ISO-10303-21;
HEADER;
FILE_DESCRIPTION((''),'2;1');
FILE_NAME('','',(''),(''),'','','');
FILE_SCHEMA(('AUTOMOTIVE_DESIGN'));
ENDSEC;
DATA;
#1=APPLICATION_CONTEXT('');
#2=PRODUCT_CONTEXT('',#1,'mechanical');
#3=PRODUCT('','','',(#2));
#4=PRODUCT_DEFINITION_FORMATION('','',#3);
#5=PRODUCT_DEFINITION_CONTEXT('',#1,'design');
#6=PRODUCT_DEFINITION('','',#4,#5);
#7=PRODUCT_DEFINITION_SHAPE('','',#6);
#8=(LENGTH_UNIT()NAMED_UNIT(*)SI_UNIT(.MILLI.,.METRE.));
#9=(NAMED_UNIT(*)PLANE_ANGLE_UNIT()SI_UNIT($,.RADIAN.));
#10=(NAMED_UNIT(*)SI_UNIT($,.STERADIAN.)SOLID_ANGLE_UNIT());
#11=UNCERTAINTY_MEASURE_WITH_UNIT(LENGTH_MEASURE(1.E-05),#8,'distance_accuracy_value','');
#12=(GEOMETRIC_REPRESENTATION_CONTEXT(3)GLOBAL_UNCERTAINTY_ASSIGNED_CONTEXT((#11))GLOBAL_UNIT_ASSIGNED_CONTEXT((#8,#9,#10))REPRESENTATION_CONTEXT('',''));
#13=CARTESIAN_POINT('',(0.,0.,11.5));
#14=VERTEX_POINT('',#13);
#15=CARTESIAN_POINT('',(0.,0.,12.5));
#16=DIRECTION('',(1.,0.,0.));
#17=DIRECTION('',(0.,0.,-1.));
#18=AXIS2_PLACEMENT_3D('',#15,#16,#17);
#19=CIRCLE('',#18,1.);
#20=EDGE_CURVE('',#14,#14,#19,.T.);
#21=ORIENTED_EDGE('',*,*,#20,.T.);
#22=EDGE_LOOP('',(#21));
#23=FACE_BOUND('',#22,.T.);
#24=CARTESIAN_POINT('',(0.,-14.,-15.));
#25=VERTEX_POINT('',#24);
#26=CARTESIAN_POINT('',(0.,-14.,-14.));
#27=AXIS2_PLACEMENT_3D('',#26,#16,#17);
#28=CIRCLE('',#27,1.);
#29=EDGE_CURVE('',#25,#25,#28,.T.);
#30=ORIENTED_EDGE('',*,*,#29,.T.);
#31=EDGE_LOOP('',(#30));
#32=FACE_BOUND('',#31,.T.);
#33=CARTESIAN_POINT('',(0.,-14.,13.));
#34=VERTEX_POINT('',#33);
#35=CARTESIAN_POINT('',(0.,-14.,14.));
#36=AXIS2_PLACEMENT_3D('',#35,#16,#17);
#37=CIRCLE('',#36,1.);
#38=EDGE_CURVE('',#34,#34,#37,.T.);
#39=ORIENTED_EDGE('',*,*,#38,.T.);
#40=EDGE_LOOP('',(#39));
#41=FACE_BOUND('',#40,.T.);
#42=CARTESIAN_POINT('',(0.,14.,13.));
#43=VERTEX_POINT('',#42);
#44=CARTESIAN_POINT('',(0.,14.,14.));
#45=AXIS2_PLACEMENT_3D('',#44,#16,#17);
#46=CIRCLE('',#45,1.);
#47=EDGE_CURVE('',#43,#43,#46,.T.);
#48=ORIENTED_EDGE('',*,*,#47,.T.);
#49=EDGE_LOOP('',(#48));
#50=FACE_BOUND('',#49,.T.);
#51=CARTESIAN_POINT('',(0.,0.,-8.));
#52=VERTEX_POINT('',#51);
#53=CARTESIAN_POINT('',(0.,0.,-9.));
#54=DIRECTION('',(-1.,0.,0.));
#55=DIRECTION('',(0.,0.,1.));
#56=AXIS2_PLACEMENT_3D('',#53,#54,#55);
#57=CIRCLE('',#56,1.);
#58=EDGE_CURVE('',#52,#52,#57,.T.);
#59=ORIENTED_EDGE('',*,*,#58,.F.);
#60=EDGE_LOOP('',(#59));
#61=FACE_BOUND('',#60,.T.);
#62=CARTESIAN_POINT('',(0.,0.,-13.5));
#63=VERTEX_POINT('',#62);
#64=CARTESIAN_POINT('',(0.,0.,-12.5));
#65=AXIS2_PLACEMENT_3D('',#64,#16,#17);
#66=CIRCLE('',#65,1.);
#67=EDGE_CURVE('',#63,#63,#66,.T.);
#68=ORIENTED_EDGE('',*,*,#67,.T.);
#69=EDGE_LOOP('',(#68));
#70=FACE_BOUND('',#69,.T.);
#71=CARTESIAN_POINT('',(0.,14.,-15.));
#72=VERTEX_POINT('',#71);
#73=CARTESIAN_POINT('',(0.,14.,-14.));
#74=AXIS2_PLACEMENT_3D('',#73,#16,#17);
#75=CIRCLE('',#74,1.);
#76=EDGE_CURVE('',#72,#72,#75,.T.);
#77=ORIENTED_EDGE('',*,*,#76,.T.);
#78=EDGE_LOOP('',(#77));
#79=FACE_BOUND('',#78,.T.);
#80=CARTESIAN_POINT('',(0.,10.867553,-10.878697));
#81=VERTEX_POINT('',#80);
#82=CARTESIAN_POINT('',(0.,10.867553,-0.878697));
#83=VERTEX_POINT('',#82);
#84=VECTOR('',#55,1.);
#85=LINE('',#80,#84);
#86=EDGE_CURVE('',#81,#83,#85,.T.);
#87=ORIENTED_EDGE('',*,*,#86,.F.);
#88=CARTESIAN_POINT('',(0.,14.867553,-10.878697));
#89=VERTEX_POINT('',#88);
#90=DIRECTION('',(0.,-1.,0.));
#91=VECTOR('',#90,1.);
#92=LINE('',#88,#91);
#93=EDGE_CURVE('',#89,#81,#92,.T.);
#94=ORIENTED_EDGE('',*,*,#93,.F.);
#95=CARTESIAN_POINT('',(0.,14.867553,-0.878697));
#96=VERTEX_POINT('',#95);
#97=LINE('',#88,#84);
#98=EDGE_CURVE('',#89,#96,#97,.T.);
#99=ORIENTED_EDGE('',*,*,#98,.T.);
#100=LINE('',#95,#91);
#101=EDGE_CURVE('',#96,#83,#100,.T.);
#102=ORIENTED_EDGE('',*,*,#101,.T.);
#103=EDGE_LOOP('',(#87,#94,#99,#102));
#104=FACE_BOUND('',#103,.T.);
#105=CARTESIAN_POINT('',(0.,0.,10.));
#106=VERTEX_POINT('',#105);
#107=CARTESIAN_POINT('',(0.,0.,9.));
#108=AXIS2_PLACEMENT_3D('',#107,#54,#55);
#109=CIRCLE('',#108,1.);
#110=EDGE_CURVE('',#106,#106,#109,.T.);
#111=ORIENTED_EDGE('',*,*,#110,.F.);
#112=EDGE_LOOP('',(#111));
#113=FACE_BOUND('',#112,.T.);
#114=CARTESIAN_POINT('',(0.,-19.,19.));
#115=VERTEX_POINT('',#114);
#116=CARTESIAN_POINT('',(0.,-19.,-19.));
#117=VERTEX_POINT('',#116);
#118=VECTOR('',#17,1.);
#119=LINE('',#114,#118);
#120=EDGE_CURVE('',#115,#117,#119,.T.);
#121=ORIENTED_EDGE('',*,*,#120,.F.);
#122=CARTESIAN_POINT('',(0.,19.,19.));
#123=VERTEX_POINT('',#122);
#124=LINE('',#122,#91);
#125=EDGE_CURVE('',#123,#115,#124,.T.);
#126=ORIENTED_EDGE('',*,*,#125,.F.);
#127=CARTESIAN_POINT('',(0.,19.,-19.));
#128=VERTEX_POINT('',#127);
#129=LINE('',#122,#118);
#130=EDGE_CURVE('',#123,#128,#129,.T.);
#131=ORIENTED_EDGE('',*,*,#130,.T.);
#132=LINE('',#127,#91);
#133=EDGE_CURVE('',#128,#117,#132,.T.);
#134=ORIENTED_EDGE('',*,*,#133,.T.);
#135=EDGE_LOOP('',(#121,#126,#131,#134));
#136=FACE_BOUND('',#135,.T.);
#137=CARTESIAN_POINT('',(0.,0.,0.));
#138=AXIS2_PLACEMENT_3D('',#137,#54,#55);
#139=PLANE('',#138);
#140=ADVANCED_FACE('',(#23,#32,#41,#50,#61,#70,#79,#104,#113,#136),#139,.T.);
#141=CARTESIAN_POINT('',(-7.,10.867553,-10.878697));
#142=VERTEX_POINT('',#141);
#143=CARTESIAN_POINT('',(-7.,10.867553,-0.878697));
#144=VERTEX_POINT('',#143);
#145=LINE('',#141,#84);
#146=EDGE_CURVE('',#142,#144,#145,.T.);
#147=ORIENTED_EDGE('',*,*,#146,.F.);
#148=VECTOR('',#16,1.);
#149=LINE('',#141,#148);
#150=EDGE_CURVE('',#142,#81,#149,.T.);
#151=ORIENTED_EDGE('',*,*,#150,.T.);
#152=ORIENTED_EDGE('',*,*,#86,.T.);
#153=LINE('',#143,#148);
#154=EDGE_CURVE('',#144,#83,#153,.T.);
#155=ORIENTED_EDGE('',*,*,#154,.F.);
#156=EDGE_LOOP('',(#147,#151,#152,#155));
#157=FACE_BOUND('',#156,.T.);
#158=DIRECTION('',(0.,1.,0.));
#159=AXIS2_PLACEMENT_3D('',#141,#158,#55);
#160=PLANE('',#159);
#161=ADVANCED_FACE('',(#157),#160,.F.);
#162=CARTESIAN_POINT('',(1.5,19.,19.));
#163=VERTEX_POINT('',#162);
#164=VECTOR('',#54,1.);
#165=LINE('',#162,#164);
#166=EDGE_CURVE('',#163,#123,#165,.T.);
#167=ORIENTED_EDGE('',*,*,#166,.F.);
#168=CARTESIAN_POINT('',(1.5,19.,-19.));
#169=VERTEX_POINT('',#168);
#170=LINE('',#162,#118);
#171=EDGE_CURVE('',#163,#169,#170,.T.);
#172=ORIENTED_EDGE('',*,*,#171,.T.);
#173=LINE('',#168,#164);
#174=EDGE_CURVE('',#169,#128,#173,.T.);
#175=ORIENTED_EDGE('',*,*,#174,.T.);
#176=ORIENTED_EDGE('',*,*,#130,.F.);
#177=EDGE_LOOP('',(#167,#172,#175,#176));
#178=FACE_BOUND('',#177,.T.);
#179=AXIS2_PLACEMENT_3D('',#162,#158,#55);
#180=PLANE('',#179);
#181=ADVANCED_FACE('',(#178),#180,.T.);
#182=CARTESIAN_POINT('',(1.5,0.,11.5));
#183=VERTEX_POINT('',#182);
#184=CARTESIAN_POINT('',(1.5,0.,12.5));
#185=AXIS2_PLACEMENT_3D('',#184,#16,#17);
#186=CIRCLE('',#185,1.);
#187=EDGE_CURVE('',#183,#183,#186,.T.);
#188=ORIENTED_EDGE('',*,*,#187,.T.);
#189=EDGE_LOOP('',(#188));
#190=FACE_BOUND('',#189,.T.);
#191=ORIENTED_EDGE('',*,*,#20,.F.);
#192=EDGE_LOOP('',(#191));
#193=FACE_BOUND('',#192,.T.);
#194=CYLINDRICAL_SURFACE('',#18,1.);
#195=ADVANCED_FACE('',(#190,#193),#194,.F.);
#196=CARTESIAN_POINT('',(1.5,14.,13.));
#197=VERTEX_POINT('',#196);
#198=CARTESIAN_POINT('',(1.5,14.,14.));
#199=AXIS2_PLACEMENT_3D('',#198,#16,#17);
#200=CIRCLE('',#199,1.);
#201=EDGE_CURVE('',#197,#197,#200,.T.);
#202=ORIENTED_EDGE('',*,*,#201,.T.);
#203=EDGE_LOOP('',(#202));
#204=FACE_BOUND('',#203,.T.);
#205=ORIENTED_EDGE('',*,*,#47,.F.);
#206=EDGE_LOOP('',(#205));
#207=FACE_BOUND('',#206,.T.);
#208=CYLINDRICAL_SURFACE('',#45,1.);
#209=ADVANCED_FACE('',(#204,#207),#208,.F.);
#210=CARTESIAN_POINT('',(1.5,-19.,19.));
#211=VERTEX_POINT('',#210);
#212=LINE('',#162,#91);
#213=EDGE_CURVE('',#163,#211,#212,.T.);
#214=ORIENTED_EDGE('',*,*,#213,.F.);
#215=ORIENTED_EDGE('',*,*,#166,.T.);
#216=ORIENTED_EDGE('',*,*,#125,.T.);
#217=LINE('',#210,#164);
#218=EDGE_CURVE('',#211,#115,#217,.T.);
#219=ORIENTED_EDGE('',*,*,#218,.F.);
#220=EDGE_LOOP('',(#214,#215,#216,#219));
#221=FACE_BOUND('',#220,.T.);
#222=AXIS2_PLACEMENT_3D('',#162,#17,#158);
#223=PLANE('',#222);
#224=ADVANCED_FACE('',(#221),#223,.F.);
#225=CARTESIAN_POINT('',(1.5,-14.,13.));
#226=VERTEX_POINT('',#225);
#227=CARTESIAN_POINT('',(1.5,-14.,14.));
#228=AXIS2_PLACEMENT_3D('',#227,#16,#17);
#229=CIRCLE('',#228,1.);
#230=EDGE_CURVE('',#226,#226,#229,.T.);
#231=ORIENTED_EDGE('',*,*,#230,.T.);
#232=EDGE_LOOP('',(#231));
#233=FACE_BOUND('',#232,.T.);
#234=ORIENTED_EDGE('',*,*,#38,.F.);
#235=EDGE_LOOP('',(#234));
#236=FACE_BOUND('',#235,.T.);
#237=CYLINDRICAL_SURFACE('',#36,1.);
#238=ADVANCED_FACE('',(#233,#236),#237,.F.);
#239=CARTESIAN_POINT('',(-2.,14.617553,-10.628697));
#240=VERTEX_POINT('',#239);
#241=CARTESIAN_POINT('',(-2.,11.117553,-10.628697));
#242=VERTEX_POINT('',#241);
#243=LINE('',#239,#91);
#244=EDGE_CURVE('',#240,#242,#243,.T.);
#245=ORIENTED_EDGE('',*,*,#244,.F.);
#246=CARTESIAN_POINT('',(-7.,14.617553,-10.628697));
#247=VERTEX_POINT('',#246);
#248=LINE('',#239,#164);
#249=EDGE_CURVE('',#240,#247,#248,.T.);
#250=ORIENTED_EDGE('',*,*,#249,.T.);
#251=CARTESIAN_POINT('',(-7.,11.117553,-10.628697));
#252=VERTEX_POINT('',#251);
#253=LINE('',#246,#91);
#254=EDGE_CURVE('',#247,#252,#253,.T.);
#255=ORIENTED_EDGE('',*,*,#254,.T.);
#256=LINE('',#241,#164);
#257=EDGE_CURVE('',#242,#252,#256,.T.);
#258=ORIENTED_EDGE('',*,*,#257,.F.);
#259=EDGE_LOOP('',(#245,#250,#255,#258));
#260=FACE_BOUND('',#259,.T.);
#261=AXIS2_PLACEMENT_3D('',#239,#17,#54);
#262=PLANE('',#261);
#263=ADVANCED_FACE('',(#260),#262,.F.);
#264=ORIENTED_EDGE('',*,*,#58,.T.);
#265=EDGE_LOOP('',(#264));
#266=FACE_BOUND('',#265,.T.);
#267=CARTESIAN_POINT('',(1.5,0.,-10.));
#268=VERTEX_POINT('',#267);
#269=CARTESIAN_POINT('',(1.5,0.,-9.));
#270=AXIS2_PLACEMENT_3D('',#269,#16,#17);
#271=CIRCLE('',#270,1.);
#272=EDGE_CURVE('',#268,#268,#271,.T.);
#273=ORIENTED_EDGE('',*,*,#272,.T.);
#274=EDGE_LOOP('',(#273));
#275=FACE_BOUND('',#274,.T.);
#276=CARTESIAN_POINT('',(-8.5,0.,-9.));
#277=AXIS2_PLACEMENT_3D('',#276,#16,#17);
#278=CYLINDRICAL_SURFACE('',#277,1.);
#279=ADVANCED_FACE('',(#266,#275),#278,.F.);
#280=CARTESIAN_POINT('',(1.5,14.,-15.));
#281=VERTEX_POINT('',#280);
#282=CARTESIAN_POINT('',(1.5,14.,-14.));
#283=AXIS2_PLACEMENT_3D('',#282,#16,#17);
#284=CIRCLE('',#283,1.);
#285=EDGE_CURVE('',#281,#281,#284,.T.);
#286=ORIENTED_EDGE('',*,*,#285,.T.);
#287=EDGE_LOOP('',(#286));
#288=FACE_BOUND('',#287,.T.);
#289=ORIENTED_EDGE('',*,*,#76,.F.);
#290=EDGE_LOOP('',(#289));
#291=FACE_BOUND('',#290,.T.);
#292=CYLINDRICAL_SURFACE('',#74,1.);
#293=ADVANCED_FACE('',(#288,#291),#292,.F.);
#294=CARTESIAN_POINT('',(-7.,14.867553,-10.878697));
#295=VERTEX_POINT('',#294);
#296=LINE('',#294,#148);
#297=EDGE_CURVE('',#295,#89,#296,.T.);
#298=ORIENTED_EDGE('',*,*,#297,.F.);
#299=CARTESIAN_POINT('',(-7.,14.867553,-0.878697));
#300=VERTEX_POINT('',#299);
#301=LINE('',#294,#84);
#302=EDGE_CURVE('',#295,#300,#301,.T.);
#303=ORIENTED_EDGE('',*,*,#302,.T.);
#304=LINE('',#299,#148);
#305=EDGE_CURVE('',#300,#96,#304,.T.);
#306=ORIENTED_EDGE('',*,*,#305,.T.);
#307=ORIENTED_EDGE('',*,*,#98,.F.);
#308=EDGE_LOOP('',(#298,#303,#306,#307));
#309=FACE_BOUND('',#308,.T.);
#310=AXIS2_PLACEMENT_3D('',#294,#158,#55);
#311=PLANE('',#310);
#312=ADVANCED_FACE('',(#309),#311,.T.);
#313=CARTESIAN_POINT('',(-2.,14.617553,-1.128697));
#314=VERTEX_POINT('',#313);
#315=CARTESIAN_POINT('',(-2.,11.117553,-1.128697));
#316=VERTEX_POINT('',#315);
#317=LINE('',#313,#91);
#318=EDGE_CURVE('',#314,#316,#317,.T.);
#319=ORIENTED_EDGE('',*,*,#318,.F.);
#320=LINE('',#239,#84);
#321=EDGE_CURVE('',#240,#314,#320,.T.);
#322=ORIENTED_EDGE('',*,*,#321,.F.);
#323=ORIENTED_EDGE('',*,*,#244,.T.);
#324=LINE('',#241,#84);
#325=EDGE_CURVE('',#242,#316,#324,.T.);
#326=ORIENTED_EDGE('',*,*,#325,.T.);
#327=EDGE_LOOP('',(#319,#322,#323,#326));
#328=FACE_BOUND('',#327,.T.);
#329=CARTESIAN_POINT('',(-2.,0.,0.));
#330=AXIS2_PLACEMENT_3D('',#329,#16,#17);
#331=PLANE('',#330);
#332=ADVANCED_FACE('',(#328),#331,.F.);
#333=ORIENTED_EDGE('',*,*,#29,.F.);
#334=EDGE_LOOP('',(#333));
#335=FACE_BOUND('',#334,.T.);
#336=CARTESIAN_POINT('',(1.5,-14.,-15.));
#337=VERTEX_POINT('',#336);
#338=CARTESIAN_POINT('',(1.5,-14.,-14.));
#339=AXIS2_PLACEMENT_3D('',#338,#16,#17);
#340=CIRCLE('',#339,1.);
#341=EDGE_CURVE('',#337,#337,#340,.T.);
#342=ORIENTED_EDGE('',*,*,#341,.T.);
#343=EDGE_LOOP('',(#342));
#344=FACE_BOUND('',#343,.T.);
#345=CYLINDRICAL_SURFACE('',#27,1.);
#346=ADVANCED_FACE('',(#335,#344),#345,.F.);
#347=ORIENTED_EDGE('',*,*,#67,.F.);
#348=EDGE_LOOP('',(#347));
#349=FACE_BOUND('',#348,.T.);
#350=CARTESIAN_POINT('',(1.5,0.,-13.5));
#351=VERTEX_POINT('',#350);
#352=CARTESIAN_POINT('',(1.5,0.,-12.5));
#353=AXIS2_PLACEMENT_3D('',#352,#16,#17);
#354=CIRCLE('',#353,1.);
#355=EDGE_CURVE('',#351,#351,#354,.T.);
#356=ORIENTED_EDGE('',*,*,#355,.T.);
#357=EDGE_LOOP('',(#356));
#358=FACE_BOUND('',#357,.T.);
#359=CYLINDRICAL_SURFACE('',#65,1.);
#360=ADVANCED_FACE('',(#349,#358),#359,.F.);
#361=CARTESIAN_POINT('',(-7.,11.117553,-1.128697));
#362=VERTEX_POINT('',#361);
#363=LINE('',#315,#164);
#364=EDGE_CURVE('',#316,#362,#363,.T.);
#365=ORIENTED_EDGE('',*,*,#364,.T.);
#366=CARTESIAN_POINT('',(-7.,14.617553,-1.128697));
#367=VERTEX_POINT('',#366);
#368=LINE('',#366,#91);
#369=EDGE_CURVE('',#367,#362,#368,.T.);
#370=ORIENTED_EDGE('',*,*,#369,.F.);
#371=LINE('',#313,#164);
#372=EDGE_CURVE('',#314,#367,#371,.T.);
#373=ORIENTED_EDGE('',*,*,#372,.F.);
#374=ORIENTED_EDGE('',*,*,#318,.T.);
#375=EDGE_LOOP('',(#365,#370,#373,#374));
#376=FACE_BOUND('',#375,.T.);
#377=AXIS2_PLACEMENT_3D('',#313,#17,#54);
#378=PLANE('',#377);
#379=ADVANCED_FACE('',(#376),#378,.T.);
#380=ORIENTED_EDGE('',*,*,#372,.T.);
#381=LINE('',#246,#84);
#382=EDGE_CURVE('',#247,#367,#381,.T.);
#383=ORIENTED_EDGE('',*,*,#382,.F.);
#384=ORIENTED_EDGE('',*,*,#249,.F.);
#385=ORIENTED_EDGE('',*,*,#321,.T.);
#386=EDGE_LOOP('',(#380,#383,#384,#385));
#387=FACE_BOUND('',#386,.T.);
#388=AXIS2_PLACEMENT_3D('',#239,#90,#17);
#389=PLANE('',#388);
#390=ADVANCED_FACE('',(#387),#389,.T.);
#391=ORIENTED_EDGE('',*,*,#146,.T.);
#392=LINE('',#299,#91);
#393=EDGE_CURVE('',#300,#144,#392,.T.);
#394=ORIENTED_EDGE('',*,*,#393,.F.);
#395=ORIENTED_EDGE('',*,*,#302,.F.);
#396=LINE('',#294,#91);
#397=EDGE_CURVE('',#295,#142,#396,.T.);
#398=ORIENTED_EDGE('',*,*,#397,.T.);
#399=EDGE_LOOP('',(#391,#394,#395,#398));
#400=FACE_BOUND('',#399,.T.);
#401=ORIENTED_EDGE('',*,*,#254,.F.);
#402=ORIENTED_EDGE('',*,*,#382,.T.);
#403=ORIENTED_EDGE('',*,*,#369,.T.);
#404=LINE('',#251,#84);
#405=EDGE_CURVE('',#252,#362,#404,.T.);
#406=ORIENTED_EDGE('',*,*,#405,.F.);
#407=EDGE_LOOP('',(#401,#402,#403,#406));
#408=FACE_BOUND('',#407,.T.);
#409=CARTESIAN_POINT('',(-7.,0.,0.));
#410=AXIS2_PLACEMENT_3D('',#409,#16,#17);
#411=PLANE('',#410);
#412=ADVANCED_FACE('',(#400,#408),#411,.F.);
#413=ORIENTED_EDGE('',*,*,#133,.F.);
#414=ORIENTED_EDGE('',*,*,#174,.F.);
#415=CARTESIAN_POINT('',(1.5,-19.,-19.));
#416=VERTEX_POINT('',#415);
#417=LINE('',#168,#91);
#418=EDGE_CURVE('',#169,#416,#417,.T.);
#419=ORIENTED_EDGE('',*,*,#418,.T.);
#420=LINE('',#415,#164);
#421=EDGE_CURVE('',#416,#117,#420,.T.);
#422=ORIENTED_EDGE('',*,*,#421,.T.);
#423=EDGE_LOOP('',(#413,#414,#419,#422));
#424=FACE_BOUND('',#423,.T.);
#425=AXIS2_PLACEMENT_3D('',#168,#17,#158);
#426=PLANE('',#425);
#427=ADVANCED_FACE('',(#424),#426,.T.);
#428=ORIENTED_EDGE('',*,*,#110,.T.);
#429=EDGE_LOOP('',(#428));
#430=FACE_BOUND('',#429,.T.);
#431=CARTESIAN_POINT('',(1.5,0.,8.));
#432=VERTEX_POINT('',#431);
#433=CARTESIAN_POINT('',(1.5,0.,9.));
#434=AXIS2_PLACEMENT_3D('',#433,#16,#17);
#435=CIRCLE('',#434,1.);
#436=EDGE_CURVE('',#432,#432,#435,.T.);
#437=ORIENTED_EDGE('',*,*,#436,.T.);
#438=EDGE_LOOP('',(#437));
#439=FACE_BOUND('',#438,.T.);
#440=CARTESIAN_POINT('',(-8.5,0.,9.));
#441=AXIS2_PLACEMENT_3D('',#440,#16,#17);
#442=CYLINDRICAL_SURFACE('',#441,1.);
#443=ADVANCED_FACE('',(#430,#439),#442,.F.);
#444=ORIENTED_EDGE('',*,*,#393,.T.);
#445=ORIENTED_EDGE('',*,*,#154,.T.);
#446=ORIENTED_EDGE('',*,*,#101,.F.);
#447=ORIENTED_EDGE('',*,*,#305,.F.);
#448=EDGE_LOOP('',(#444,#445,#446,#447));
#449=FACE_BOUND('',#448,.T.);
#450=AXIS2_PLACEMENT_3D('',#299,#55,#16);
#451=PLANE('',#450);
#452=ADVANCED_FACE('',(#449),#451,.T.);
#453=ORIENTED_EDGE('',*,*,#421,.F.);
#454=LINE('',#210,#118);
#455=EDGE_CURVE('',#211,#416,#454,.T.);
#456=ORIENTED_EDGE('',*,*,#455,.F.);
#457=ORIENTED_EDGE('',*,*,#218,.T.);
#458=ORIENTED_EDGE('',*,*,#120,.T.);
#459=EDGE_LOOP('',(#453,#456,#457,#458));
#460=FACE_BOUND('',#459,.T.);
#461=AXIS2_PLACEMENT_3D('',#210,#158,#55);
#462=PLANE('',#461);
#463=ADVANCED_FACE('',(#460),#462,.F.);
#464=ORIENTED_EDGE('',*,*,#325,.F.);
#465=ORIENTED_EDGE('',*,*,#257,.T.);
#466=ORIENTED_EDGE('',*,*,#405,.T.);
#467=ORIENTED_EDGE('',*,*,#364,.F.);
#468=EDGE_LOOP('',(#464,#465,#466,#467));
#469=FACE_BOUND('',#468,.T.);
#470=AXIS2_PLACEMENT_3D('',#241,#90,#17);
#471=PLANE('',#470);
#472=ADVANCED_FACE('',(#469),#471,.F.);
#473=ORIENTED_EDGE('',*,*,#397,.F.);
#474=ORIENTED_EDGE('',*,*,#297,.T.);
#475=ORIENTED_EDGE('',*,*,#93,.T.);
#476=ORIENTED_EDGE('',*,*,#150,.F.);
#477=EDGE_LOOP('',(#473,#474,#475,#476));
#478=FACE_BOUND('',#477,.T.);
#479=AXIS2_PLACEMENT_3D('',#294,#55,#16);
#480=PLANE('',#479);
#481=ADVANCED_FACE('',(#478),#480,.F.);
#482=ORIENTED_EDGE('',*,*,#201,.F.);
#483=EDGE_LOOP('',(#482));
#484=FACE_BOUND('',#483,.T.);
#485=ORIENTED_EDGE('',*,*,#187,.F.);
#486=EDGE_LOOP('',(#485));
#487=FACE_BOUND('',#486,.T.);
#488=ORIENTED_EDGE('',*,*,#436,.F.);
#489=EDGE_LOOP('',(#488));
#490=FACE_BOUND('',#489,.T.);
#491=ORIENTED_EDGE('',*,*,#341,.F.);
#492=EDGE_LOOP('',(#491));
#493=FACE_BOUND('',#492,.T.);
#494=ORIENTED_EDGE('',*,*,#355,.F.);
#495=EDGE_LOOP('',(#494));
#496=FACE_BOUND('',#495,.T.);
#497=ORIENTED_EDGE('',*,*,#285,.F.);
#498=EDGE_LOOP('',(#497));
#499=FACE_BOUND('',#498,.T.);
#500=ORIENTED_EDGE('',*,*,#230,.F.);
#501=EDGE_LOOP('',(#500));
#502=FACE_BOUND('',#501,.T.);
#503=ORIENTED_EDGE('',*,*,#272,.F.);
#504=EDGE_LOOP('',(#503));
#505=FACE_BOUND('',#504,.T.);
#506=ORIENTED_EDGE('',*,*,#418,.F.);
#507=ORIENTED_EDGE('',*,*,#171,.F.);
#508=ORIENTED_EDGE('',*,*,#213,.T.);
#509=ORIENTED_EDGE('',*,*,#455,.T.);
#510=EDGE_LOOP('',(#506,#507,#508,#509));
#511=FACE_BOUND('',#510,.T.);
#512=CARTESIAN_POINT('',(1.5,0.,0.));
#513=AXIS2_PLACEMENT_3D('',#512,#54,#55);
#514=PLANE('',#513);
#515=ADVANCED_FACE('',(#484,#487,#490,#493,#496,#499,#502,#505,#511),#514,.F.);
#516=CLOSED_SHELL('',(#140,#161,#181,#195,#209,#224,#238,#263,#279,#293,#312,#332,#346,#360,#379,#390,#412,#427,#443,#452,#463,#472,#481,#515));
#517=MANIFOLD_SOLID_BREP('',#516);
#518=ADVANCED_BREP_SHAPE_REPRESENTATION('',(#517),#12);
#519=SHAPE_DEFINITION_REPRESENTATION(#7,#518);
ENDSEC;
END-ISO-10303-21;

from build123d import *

# Parameters (mm, degrees)
SKETCH_1_W          = 38
SKETCH_1_H          = 38
EXTRUDE_1_DEPTH     = 1.5
SKETCH_2_R          = 1
CUT_EXTRUDE_1_DEPTH = 1.5
SKETCH_3_W          = 10
SKETCH_3_H          = 4
EXTRUDE_2_DEPTH     = 7
SKETCH_4_W          = 9.5
SKETCH_4_H          = 3.5
CUT_EXTRUDE_4_DEPTH = 5
SKETCH_6_R          = 1
CUT_EXTRUDE_6_DEPTH = 10


with BuildPart() as part:
    # 草图1 → 凸台-拉伸1 (new body)
    with BuildSketch(Plane(origin=(0, 0, 0), x_dir=(0, 0, -1), z_dir=(1, 0, 0))):
        Rectangle(SKETCH_1_W, SKETCH_1_H)
    extrude(amount=EXTRUDE_1_DEPTH)

    # 草图2 → 切除-拉伸1 (cut)
    with BuildSketch(Plane(origin=(1.5, 0, 0), x_dir=(0, 0, -1), z_dir=(1, 0, 0))):
        with Locations((-14, 14)):
            Circle(SKETCH_2_R)
        with Locations((-14, -14)):
            Circle(SKETCH_2_R)
        with Locations((14, -14)):
            Circle(SKETCH_2_R)
        with Locations((14, 14)):
            Circle(SKETCH_2_R)
        with Locations((-12.5, 0)):
            Circle(SKETCH_2_R)
        with Locations((12.5, 0)):
            Circle(SKETCH_2_R)
    extrude(amount=-CUT_EXTRUDE_1_DEPTH, mode=Mode.SUBTRACT)

    # 草图3 → 凸台-拉伸2 (add)
    with BuildSketch(Plane.ZY):
        with Locations((-5.878697065, 12.867552656)):
            Rectangle(SKETCH_3_W, SKETCH_3_H)
    extrude(amount=EXTRUDE_2_DEPTH)

    # 草图4 → 切除-拉伸4 (cut)
    with BuildSketch(Plane.ZY.offset(7)):
        with Locations((-5.878697065, 12.867552656)):
            Rectangle(SKETCH_4_W, SKETCH_4_H)
    extrude(amount=-CUT_EXTRUDE_4_DEPTH, mode=Mode.SUBTRACT)

    # 草图6 → 切除-拉伸6 (cut)
    with BuildSketch(Plane(origin=(1.5, 0, 0), x_dir=(0, 0, -1), z_dir=(1, 0, 0))):
        with Locations((-9, 0)):
            Circle(SKETCH_6_R)
        with Locations((9, 0)):
            Circle(SKETCH_6_R)
    extrude(amount=-CUT_EXTRUDE_6_DEPTH, mode=Mode.SUBTRACT)


solid = part.part
